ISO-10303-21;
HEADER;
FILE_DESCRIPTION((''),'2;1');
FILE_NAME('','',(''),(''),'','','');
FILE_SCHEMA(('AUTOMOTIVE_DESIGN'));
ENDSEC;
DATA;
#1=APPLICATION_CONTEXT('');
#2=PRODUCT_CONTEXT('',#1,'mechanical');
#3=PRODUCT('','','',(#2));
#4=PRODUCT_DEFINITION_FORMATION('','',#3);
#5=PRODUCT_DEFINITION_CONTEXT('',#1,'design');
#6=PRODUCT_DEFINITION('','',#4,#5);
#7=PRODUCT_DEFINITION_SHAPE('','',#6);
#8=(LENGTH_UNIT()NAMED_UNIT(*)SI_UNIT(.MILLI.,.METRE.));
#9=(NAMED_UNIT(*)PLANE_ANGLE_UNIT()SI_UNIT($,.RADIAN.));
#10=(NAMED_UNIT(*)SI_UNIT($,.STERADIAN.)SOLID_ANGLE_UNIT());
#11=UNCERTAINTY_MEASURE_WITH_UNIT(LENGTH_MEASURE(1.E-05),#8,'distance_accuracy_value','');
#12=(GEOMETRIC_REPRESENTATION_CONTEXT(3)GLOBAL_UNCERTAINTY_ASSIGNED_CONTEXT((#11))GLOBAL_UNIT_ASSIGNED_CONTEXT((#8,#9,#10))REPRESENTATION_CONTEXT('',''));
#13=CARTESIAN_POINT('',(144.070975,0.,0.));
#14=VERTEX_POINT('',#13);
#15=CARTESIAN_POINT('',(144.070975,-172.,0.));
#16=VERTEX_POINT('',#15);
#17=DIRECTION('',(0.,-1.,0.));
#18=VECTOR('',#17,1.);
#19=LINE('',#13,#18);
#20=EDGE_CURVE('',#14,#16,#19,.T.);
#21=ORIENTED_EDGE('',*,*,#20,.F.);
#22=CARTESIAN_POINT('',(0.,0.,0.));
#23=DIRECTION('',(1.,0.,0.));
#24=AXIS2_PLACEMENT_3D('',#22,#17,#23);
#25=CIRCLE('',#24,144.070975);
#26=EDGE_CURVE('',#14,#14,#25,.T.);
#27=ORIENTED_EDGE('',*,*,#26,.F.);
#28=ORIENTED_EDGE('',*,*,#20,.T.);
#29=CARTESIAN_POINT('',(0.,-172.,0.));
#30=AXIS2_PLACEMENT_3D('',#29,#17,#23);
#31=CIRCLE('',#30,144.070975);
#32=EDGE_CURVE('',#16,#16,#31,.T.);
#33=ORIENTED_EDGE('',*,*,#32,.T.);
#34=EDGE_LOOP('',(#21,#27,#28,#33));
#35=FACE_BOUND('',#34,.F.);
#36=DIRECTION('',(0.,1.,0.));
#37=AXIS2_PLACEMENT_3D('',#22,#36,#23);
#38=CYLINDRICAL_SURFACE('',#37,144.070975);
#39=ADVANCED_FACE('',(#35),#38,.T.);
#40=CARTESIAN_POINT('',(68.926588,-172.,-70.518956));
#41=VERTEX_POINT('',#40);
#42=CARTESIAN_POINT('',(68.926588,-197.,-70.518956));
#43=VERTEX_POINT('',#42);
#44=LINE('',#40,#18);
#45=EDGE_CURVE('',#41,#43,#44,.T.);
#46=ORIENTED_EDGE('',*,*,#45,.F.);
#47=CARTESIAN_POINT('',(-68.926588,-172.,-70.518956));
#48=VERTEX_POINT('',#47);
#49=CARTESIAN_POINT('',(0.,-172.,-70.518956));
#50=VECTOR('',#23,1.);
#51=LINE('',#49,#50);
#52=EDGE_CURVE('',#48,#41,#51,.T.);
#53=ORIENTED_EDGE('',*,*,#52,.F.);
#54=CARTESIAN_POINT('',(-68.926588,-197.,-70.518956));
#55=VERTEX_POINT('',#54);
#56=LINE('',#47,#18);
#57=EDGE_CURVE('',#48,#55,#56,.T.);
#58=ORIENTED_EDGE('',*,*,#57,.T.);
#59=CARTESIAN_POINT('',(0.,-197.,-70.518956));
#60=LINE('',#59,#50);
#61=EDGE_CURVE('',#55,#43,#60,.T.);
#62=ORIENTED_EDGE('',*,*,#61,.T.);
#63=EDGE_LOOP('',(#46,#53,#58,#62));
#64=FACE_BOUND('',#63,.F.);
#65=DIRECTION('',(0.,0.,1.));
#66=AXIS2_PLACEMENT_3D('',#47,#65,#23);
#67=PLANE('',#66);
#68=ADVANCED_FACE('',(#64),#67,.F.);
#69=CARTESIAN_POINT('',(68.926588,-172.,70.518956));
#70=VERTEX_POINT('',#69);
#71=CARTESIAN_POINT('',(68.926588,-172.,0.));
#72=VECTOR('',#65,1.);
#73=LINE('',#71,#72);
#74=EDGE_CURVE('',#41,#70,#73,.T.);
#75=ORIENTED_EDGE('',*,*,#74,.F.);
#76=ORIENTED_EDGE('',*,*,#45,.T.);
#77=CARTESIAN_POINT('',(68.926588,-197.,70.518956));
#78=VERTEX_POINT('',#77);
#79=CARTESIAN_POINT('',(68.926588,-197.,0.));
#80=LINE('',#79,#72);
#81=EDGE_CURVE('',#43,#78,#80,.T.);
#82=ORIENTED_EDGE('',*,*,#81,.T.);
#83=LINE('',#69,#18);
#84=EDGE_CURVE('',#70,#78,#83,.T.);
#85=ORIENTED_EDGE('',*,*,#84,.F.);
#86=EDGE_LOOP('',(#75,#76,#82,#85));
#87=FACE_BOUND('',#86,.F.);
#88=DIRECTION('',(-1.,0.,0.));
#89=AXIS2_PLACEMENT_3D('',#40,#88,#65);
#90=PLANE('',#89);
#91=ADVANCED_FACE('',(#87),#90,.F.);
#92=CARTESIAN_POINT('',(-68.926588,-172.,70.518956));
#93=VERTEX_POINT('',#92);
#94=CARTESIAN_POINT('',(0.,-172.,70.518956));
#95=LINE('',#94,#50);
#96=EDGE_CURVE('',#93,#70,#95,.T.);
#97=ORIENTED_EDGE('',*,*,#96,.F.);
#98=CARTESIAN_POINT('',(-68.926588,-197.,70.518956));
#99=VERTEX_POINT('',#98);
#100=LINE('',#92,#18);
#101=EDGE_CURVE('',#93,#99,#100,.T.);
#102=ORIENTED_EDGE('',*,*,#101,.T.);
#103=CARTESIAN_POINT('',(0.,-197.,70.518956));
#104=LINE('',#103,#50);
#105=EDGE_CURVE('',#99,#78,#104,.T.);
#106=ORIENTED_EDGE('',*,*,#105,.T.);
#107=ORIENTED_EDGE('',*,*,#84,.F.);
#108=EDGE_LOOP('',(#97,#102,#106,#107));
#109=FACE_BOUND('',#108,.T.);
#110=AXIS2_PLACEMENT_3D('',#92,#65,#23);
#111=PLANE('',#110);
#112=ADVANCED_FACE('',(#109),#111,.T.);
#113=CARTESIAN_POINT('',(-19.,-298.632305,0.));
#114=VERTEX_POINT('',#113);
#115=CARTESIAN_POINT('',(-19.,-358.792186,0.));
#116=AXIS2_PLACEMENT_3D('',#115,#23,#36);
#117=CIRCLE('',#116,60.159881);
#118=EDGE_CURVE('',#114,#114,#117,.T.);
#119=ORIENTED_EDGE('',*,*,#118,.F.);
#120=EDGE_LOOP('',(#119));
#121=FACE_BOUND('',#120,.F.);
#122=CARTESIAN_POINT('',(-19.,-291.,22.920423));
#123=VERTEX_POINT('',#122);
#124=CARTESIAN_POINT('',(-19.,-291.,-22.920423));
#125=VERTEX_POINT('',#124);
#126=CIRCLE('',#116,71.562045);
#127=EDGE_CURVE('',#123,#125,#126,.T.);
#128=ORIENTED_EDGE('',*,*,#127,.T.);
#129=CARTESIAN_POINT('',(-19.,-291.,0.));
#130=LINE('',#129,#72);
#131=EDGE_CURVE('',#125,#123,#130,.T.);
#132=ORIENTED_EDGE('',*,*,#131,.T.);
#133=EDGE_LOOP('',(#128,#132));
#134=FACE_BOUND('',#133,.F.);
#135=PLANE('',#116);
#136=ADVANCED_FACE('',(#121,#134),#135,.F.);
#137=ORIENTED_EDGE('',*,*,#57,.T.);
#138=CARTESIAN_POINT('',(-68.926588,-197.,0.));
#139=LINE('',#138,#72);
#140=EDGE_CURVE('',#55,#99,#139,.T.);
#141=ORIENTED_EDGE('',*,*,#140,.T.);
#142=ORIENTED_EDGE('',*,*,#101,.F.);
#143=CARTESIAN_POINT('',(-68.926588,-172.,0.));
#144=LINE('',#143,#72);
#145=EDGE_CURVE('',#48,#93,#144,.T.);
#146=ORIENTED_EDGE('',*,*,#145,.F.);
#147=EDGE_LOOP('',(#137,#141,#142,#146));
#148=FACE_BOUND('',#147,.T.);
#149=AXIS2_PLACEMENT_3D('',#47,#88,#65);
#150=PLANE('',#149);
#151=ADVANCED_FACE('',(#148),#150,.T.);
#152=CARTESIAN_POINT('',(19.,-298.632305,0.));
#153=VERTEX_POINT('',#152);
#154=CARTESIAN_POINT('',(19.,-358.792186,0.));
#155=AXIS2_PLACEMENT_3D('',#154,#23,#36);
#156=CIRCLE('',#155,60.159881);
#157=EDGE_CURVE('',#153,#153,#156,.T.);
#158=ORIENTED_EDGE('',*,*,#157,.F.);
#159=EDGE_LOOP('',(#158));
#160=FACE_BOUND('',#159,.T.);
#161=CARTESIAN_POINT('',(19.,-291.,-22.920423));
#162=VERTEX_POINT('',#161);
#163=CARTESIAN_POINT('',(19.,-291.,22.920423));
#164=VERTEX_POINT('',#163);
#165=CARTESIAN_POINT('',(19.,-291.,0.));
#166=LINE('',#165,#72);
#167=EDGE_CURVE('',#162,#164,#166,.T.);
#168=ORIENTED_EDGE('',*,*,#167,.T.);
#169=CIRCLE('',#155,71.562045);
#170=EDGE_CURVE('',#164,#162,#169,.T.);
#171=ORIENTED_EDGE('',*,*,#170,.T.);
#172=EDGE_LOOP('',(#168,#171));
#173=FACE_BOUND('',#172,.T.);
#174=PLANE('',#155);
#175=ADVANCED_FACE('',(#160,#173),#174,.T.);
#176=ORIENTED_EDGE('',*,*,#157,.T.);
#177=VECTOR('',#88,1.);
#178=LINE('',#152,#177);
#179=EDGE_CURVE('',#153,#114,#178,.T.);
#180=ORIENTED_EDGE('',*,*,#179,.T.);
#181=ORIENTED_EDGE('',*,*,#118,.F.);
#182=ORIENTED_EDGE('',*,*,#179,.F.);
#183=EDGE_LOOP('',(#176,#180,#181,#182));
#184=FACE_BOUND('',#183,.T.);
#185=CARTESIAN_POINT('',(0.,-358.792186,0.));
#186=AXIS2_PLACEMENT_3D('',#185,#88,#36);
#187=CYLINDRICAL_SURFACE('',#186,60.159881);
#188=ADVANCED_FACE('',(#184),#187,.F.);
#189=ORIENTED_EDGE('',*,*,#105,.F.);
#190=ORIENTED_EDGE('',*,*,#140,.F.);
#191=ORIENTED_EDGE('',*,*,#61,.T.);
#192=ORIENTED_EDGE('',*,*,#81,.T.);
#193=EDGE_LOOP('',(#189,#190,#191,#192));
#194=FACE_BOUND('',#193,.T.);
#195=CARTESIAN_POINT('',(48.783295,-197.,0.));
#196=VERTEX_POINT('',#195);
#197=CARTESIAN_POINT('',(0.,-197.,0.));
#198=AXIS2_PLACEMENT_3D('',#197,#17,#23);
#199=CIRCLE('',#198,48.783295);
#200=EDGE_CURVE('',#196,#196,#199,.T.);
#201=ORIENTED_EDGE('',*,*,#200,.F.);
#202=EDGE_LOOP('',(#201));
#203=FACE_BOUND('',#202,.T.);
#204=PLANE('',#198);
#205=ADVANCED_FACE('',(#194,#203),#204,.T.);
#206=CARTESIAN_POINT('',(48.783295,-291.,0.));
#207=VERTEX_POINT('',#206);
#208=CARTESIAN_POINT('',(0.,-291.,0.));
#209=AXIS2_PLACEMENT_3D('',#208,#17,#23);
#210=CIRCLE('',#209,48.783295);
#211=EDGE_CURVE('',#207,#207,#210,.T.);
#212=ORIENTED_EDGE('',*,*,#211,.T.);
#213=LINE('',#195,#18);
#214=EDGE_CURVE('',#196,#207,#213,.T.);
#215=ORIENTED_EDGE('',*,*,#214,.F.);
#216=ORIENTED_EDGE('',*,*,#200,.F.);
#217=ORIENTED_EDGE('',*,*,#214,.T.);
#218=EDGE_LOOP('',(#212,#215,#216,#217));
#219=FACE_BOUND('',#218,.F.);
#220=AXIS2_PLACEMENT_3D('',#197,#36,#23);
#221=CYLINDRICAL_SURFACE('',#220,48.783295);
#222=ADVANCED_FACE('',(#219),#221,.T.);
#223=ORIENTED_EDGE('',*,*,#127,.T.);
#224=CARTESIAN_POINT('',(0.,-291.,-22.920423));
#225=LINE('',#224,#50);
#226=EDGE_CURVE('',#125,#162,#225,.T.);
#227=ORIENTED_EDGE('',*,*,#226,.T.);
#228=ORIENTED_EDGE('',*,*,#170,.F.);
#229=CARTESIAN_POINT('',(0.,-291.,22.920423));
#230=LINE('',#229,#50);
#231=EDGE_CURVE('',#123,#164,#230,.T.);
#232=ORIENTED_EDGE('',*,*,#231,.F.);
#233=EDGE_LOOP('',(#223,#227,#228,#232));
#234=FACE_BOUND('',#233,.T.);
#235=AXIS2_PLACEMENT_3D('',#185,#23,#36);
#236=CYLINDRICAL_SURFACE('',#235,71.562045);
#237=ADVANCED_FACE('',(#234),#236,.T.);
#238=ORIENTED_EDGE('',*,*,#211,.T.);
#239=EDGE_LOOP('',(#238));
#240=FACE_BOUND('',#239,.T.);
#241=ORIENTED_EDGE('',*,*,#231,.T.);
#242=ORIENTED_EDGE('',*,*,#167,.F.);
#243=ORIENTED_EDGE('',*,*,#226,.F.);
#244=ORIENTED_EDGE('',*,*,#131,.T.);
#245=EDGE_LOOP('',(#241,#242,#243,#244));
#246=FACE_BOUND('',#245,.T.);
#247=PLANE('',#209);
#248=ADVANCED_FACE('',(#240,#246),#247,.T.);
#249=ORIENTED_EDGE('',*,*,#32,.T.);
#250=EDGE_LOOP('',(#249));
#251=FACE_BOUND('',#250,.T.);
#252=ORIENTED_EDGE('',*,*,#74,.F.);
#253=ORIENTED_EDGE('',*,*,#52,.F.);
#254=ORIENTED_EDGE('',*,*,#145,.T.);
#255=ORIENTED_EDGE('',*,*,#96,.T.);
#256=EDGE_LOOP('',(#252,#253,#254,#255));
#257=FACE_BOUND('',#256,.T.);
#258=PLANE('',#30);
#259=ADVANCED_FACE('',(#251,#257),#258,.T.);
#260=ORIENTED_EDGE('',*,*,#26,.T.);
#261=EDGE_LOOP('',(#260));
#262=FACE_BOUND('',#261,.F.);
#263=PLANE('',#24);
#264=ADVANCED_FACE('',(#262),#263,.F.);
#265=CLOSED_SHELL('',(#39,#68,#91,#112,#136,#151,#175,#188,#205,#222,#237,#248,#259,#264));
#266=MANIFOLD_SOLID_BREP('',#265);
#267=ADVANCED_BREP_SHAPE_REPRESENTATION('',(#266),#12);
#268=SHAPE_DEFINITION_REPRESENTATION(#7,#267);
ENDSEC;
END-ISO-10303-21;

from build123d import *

# Parameters (mm, degrees)
F0_R     = 144.070975
F1_DEPTH = 172
F2_W     = 137.853176
F2_H     = 141.037912
F3_DEPTH = 25
F4_R     = 48.783295
F5_DEPTH = 94
F6_R     = 71.562045
F6_R_2   = 60.159881
F7_DEPTH = 19


with BuildPart() as f1:
    # F0 (on Front) → F1 (new body)
    with BuildSketch(Plane.XZ):
        Circle(F0_R)
    extrude(amount=F1_DEPTH)

    # F2 (on face) → F3 (join)
    with BuildSketch(Plane.XZ.offset(172)):
        Rectangle(F2_W, F2_H)
    extrude(amount=F3_DEPTH)

    # F4 (on face) → F5 (join)
    with BuildSketch(Plane.XZ.offset(197)):
        Circle(F4_R)
    extrude(amount=F5_DEPTH)

    # F6 (on Right) → F7 (join, symmetric)
    with BuildSketch(Plane.YZ):
        with Locations((-358.792186, 0)):
            Circle(F6_R)
        with Locations((-358.792186, 0)):
            Circle(F6_R_2, mode=Mode.SUBTRACT)
    extrude(amount=F7_DEPTH, both=True)


solid = f1.part
